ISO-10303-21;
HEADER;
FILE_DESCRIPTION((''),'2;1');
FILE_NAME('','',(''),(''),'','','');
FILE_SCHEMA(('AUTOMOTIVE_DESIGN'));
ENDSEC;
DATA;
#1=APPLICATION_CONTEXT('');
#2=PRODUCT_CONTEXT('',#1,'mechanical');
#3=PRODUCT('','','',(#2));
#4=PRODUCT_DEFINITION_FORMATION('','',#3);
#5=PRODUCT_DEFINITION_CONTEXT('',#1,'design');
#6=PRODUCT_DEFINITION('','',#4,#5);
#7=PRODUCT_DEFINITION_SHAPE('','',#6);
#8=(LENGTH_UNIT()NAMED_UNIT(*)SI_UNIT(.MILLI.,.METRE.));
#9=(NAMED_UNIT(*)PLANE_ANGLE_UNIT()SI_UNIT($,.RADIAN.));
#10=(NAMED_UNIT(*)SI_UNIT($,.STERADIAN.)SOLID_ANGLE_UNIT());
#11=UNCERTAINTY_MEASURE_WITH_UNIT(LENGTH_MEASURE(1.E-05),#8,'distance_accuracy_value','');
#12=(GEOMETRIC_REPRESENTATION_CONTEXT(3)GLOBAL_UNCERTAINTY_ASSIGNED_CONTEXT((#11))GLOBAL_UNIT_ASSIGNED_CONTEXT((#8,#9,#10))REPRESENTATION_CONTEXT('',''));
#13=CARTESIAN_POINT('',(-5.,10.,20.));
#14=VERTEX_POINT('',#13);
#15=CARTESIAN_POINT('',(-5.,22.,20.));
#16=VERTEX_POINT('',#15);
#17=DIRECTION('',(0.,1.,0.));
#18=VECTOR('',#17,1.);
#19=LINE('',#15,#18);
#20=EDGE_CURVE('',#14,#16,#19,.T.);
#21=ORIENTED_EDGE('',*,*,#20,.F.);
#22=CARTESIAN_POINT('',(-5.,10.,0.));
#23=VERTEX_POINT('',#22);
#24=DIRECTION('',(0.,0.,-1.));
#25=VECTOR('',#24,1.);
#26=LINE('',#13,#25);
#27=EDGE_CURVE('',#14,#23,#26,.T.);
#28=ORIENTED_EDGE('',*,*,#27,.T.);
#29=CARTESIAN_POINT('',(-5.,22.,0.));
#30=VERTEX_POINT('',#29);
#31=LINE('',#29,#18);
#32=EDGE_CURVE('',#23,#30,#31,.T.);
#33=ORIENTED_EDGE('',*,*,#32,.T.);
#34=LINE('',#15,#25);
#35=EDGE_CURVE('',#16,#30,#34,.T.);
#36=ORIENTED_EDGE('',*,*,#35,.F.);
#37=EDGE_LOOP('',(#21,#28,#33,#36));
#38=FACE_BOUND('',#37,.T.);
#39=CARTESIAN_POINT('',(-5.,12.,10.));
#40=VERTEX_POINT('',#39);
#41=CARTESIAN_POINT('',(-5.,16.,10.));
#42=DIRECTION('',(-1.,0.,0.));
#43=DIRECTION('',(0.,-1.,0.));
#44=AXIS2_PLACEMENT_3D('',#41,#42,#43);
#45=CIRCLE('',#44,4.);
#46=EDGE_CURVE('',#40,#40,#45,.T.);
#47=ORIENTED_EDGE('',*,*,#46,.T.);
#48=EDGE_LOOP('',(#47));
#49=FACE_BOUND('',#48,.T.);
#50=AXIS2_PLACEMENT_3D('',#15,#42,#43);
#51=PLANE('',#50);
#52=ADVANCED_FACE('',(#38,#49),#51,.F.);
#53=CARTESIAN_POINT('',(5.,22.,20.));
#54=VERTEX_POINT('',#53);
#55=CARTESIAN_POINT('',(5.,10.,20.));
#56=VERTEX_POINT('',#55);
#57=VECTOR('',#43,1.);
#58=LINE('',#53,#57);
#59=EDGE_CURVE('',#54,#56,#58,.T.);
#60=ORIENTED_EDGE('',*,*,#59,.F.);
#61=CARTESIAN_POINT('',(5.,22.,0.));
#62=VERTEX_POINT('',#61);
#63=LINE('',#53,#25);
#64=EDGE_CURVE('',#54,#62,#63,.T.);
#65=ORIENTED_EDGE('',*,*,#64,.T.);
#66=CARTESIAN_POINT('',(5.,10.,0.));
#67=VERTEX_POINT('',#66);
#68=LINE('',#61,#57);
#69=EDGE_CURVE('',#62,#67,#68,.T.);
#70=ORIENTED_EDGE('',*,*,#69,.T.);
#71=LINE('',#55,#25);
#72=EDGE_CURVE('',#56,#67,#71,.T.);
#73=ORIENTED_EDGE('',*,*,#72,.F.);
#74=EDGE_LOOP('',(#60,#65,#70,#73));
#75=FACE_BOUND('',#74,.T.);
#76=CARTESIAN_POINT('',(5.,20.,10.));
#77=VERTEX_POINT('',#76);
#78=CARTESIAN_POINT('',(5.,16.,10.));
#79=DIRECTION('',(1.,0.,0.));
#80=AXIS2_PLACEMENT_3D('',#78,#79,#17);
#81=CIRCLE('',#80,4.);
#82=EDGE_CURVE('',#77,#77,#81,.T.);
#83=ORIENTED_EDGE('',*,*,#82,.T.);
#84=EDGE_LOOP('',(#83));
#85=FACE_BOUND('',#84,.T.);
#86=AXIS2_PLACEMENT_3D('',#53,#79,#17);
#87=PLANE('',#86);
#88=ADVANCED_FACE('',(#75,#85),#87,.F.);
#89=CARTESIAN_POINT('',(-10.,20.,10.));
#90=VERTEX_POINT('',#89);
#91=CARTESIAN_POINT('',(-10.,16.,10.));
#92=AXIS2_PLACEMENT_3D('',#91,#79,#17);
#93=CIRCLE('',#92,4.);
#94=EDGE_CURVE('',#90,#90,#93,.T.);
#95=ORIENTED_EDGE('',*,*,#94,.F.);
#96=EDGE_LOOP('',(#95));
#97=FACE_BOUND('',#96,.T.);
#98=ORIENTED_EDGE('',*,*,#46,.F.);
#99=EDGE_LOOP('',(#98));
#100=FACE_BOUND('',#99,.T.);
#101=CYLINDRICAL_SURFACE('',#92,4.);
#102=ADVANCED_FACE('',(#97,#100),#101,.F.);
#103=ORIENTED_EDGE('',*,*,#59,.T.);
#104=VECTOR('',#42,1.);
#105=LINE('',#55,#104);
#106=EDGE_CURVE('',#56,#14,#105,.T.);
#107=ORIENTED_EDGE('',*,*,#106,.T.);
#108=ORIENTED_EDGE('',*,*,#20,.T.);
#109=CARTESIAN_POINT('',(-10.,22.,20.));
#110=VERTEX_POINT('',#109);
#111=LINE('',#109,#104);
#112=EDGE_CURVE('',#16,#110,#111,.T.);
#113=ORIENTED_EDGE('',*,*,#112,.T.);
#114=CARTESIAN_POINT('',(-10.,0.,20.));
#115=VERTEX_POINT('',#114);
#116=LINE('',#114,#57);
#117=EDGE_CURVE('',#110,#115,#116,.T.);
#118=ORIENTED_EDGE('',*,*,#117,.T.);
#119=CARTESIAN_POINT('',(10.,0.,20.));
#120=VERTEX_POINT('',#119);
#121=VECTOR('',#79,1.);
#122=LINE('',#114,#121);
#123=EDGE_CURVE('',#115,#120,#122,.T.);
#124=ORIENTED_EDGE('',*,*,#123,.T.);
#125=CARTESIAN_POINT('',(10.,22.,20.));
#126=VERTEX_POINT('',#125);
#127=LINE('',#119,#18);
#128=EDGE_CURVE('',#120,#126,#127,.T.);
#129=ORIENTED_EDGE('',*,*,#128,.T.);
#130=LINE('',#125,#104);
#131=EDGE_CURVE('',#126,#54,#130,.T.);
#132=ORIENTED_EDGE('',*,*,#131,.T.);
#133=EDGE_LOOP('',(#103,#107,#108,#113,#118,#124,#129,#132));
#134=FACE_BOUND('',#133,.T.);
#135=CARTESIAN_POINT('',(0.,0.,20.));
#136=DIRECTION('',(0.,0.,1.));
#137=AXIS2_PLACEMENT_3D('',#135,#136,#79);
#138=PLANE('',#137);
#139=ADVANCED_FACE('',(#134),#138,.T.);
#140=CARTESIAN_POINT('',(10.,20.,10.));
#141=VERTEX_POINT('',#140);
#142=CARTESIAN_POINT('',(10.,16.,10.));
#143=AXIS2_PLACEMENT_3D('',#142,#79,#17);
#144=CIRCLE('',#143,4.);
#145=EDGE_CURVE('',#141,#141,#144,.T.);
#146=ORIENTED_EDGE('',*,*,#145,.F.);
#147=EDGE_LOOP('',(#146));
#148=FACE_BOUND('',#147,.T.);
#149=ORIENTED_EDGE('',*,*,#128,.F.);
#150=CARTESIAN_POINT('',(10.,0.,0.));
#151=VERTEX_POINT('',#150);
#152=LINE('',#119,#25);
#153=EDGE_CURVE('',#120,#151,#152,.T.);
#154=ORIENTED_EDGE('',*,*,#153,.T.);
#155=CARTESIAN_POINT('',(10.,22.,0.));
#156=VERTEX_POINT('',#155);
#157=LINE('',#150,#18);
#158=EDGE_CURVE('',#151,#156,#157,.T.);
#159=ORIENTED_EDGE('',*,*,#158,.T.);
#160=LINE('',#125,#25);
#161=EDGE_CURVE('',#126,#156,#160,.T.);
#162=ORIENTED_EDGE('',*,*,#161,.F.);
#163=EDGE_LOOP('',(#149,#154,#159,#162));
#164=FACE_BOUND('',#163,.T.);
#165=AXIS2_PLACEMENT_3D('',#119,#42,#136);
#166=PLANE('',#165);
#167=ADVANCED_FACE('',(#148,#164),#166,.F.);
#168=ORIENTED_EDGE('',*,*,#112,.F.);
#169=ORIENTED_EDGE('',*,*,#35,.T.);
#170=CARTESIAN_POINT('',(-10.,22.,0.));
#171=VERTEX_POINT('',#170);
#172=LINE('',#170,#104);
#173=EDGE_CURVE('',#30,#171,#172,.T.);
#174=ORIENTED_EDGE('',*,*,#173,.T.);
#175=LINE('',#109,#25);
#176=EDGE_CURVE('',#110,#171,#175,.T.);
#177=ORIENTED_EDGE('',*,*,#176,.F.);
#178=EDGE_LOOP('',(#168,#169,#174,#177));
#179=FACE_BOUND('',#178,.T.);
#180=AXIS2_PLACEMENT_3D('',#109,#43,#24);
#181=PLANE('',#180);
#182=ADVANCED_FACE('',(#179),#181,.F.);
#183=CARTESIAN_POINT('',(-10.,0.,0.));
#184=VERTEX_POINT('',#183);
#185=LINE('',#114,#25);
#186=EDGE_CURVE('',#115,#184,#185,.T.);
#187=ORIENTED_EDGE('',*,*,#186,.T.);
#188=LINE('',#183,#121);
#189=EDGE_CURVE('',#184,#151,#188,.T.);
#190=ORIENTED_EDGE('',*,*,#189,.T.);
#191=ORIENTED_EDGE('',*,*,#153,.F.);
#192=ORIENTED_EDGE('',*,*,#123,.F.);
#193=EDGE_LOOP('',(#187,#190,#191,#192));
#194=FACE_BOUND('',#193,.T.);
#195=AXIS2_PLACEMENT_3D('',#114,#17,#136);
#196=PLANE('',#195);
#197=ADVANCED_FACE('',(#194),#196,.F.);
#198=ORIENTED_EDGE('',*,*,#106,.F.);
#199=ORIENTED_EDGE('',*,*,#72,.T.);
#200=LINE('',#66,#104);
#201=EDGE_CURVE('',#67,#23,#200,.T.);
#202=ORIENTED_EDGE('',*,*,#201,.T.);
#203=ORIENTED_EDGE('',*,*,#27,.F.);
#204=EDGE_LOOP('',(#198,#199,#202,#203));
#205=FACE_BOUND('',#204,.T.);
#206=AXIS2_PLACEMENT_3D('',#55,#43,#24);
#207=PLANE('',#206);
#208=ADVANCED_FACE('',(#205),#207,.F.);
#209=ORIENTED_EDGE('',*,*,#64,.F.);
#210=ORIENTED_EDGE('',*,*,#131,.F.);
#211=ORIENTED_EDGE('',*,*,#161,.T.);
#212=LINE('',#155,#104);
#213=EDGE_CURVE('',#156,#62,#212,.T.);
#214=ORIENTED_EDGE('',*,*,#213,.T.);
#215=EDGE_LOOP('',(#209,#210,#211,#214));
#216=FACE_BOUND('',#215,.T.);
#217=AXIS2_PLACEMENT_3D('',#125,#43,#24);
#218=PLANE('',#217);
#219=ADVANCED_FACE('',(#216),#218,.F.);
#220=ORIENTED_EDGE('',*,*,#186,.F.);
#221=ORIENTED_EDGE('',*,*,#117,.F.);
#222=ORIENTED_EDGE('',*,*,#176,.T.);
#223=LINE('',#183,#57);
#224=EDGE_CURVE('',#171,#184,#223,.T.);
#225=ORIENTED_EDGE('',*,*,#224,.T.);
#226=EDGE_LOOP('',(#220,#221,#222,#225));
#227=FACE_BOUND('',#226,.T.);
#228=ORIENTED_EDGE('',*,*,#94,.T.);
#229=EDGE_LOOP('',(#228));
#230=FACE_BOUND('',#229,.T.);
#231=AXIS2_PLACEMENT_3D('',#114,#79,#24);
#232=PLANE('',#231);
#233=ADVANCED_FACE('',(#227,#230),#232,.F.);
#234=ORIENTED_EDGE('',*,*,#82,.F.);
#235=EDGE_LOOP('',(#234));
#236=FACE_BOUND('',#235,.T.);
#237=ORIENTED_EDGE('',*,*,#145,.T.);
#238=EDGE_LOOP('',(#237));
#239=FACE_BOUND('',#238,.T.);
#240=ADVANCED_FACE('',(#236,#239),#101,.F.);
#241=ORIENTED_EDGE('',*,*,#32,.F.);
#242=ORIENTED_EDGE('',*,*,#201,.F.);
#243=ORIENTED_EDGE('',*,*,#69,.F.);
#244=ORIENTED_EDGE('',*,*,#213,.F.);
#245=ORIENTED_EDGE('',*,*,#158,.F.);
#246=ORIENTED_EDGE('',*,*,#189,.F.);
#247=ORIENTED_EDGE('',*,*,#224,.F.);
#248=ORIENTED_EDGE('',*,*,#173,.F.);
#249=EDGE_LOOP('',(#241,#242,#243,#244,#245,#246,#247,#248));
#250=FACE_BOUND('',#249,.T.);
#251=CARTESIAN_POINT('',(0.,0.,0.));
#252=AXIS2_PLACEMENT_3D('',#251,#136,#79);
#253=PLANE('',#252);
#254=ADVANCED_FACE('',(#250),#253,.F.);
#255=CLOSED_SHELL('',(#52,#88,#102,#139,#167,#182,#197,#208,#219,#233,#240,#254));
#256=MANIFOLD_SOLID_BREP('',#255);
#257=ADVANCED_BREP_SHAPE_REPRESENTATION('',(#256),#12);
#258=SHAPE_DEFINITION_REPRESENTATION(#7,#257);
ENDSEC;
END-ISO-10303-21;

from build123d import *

# Parameters (mm, degrees)
BOSS_EXTRU_1_DEPTH           = 20
ENL_V_MAT_EXTRU_1_DEPTH      = 34.301651611
ENL_V_MAT_EXTRU_1_DEPTH_BACK = 34.301651611
ESQUISSE2_R                  = 4


with BuildPart() as part:
    # Esquisse1 → Boss.-Extru.1 (new body)
    with BuildSketch(Plane.XY):
        Polygon((-10, 0), (10, 0), (10, 22), (5, 22), (5, 10), (-5, 10), (-5, 22), (-10, 22), align=None)
    extrude(amount=BOSS_EXTRU_1_DEPTH)

    # Esquisse2 → Enlèv. mat.-Extru.1 (cut, two sides: drawn at the far end of the back side and taken through both)
    with BuildSketch(Plane(origin=(-5, 0, 0), x_dir=(0, 0, -1), z_dir=(1, 0, 0)).offset(-ENL_V_MAT_EXTRU_1_DEPTH_BACK)):
        with Locations(Location((-10, 16, 0), (0, 0, 90))):
            Circle(ESQUISSE2_R)
    extrude(amount=ENL_V_MAT_EXTRU_1_DEPTH + ENL_V_MAT_EXTRU_1_DEPTH_BACK, mode=Mode.SUBTRACT)


solid = part.part
